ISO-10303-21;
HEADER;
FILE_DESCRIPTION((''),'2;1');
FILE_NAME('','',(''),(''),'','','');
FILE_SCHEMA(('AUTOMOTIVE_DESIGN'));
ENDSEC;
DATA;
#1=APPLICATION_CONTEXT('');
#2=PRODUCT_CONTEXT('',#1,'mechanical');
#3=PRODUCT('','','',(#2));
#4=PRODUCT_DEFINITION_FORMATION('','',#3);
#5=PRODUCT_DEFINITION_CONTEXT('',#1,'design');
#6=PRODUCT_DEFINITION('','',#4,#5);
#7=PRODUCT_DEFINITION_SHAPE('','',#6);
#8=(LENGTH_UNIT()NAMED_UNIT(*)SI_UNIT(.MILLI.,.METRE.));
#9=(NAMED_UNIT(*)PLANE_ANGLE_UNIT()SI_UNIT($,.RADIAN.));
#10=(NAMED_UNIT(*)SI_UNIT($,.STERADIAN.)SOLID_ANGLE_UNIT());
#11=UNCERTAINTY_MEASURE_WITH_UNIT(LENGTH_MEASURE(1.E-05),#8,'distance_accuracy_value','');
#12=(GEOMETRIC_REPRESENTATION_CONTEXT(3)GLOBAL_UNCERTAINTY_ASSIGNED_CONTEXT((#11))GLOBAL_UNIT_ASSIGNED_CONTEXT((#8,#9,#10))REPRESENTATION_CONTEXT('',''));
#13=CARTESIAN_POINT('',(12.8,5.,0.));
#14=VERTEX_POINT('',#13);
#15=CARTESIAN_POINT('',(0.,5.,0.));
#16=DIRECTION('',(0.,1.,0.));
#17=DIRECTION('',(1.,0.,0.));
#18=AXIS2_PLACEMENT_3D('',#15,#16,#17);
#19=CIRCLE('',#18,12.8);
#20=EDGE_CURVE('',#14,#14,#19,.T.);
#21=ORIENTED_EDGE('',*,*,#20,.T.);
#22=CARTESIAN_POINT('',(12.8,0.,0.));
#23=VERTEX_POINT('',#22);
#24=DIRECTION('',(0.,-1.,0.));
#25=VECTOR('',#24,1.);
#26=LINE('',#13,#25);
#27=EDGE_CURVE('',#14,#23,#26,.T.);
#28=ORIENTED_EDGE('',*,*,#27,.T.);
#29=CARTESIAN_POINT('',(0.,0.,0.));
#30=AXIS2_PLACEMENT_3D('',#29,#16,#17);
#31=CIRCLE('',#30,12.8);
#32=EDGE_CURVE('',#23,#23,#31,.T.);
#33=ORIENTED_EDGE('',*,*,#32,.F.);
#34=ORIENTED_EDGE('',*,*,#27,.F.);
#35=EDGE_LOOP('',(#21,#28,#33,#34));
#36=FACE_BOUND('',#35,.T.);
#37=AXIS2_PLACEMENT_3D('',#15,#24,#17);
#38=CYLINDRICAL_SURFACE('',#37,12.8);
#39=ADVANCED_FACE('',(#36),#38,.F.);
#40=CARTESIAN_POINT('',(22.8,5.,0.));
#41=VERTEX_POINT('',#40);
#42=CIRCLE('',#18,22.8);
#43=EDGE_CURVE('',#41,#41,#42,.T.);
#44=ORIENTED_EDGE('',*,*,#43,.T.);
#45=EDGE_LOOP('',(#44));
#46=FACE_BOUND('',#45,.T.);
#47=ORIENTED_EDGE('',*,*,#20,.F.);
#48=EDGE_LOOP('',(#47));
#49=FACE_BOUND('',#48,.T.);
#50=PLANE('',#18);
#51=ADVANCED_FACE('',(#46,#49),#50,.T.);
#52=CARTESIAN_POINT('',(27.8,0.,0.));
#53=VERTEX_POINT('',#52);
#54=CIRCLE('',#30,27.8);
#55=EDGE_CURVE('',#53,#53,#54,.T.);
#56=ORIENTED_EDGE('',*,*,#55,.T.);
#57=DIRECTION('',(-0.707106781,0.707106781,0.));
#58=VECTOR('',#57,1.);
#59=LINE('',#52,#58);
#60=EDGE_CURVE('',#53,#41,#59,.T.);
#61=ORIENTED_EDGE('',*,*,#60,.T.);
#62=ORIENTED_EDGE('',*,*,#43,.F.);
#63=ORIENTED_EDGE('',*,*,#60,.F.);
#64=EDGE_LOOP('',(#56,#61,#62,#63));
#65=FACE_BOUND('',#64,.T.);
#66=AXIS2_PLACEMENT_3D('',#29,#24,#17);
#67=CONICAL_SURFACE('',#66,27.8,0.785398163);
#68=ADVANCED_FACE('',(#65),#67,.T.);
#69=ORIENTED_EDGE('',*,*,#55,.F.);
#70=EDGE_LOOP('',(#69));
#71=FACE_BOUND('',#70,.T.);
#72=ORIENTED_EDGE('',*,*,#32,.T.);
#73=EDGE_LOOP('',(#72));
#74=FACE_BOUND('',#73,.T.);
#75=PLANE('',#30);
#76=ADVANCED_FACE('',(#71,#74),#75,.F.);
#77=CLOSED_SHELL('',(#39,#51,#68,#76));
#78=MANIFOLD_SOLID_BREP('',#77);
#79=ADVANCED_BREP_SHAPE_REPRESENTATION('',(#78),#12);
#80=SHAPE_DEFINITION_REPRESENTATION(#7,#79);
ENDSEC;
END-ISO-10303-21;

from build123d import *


with BuildPart() as part:
    # Sketch → Revolution (revolve)
    with BuildSketch(Plane.XY):
        Polygon((27.8, 0), (22.8, 5), (12.8, 5), (12.8, 0), align=None)
    revolve(axis=Axis((0, 0, 0), (0, 1, 0)))


solid = part.part
